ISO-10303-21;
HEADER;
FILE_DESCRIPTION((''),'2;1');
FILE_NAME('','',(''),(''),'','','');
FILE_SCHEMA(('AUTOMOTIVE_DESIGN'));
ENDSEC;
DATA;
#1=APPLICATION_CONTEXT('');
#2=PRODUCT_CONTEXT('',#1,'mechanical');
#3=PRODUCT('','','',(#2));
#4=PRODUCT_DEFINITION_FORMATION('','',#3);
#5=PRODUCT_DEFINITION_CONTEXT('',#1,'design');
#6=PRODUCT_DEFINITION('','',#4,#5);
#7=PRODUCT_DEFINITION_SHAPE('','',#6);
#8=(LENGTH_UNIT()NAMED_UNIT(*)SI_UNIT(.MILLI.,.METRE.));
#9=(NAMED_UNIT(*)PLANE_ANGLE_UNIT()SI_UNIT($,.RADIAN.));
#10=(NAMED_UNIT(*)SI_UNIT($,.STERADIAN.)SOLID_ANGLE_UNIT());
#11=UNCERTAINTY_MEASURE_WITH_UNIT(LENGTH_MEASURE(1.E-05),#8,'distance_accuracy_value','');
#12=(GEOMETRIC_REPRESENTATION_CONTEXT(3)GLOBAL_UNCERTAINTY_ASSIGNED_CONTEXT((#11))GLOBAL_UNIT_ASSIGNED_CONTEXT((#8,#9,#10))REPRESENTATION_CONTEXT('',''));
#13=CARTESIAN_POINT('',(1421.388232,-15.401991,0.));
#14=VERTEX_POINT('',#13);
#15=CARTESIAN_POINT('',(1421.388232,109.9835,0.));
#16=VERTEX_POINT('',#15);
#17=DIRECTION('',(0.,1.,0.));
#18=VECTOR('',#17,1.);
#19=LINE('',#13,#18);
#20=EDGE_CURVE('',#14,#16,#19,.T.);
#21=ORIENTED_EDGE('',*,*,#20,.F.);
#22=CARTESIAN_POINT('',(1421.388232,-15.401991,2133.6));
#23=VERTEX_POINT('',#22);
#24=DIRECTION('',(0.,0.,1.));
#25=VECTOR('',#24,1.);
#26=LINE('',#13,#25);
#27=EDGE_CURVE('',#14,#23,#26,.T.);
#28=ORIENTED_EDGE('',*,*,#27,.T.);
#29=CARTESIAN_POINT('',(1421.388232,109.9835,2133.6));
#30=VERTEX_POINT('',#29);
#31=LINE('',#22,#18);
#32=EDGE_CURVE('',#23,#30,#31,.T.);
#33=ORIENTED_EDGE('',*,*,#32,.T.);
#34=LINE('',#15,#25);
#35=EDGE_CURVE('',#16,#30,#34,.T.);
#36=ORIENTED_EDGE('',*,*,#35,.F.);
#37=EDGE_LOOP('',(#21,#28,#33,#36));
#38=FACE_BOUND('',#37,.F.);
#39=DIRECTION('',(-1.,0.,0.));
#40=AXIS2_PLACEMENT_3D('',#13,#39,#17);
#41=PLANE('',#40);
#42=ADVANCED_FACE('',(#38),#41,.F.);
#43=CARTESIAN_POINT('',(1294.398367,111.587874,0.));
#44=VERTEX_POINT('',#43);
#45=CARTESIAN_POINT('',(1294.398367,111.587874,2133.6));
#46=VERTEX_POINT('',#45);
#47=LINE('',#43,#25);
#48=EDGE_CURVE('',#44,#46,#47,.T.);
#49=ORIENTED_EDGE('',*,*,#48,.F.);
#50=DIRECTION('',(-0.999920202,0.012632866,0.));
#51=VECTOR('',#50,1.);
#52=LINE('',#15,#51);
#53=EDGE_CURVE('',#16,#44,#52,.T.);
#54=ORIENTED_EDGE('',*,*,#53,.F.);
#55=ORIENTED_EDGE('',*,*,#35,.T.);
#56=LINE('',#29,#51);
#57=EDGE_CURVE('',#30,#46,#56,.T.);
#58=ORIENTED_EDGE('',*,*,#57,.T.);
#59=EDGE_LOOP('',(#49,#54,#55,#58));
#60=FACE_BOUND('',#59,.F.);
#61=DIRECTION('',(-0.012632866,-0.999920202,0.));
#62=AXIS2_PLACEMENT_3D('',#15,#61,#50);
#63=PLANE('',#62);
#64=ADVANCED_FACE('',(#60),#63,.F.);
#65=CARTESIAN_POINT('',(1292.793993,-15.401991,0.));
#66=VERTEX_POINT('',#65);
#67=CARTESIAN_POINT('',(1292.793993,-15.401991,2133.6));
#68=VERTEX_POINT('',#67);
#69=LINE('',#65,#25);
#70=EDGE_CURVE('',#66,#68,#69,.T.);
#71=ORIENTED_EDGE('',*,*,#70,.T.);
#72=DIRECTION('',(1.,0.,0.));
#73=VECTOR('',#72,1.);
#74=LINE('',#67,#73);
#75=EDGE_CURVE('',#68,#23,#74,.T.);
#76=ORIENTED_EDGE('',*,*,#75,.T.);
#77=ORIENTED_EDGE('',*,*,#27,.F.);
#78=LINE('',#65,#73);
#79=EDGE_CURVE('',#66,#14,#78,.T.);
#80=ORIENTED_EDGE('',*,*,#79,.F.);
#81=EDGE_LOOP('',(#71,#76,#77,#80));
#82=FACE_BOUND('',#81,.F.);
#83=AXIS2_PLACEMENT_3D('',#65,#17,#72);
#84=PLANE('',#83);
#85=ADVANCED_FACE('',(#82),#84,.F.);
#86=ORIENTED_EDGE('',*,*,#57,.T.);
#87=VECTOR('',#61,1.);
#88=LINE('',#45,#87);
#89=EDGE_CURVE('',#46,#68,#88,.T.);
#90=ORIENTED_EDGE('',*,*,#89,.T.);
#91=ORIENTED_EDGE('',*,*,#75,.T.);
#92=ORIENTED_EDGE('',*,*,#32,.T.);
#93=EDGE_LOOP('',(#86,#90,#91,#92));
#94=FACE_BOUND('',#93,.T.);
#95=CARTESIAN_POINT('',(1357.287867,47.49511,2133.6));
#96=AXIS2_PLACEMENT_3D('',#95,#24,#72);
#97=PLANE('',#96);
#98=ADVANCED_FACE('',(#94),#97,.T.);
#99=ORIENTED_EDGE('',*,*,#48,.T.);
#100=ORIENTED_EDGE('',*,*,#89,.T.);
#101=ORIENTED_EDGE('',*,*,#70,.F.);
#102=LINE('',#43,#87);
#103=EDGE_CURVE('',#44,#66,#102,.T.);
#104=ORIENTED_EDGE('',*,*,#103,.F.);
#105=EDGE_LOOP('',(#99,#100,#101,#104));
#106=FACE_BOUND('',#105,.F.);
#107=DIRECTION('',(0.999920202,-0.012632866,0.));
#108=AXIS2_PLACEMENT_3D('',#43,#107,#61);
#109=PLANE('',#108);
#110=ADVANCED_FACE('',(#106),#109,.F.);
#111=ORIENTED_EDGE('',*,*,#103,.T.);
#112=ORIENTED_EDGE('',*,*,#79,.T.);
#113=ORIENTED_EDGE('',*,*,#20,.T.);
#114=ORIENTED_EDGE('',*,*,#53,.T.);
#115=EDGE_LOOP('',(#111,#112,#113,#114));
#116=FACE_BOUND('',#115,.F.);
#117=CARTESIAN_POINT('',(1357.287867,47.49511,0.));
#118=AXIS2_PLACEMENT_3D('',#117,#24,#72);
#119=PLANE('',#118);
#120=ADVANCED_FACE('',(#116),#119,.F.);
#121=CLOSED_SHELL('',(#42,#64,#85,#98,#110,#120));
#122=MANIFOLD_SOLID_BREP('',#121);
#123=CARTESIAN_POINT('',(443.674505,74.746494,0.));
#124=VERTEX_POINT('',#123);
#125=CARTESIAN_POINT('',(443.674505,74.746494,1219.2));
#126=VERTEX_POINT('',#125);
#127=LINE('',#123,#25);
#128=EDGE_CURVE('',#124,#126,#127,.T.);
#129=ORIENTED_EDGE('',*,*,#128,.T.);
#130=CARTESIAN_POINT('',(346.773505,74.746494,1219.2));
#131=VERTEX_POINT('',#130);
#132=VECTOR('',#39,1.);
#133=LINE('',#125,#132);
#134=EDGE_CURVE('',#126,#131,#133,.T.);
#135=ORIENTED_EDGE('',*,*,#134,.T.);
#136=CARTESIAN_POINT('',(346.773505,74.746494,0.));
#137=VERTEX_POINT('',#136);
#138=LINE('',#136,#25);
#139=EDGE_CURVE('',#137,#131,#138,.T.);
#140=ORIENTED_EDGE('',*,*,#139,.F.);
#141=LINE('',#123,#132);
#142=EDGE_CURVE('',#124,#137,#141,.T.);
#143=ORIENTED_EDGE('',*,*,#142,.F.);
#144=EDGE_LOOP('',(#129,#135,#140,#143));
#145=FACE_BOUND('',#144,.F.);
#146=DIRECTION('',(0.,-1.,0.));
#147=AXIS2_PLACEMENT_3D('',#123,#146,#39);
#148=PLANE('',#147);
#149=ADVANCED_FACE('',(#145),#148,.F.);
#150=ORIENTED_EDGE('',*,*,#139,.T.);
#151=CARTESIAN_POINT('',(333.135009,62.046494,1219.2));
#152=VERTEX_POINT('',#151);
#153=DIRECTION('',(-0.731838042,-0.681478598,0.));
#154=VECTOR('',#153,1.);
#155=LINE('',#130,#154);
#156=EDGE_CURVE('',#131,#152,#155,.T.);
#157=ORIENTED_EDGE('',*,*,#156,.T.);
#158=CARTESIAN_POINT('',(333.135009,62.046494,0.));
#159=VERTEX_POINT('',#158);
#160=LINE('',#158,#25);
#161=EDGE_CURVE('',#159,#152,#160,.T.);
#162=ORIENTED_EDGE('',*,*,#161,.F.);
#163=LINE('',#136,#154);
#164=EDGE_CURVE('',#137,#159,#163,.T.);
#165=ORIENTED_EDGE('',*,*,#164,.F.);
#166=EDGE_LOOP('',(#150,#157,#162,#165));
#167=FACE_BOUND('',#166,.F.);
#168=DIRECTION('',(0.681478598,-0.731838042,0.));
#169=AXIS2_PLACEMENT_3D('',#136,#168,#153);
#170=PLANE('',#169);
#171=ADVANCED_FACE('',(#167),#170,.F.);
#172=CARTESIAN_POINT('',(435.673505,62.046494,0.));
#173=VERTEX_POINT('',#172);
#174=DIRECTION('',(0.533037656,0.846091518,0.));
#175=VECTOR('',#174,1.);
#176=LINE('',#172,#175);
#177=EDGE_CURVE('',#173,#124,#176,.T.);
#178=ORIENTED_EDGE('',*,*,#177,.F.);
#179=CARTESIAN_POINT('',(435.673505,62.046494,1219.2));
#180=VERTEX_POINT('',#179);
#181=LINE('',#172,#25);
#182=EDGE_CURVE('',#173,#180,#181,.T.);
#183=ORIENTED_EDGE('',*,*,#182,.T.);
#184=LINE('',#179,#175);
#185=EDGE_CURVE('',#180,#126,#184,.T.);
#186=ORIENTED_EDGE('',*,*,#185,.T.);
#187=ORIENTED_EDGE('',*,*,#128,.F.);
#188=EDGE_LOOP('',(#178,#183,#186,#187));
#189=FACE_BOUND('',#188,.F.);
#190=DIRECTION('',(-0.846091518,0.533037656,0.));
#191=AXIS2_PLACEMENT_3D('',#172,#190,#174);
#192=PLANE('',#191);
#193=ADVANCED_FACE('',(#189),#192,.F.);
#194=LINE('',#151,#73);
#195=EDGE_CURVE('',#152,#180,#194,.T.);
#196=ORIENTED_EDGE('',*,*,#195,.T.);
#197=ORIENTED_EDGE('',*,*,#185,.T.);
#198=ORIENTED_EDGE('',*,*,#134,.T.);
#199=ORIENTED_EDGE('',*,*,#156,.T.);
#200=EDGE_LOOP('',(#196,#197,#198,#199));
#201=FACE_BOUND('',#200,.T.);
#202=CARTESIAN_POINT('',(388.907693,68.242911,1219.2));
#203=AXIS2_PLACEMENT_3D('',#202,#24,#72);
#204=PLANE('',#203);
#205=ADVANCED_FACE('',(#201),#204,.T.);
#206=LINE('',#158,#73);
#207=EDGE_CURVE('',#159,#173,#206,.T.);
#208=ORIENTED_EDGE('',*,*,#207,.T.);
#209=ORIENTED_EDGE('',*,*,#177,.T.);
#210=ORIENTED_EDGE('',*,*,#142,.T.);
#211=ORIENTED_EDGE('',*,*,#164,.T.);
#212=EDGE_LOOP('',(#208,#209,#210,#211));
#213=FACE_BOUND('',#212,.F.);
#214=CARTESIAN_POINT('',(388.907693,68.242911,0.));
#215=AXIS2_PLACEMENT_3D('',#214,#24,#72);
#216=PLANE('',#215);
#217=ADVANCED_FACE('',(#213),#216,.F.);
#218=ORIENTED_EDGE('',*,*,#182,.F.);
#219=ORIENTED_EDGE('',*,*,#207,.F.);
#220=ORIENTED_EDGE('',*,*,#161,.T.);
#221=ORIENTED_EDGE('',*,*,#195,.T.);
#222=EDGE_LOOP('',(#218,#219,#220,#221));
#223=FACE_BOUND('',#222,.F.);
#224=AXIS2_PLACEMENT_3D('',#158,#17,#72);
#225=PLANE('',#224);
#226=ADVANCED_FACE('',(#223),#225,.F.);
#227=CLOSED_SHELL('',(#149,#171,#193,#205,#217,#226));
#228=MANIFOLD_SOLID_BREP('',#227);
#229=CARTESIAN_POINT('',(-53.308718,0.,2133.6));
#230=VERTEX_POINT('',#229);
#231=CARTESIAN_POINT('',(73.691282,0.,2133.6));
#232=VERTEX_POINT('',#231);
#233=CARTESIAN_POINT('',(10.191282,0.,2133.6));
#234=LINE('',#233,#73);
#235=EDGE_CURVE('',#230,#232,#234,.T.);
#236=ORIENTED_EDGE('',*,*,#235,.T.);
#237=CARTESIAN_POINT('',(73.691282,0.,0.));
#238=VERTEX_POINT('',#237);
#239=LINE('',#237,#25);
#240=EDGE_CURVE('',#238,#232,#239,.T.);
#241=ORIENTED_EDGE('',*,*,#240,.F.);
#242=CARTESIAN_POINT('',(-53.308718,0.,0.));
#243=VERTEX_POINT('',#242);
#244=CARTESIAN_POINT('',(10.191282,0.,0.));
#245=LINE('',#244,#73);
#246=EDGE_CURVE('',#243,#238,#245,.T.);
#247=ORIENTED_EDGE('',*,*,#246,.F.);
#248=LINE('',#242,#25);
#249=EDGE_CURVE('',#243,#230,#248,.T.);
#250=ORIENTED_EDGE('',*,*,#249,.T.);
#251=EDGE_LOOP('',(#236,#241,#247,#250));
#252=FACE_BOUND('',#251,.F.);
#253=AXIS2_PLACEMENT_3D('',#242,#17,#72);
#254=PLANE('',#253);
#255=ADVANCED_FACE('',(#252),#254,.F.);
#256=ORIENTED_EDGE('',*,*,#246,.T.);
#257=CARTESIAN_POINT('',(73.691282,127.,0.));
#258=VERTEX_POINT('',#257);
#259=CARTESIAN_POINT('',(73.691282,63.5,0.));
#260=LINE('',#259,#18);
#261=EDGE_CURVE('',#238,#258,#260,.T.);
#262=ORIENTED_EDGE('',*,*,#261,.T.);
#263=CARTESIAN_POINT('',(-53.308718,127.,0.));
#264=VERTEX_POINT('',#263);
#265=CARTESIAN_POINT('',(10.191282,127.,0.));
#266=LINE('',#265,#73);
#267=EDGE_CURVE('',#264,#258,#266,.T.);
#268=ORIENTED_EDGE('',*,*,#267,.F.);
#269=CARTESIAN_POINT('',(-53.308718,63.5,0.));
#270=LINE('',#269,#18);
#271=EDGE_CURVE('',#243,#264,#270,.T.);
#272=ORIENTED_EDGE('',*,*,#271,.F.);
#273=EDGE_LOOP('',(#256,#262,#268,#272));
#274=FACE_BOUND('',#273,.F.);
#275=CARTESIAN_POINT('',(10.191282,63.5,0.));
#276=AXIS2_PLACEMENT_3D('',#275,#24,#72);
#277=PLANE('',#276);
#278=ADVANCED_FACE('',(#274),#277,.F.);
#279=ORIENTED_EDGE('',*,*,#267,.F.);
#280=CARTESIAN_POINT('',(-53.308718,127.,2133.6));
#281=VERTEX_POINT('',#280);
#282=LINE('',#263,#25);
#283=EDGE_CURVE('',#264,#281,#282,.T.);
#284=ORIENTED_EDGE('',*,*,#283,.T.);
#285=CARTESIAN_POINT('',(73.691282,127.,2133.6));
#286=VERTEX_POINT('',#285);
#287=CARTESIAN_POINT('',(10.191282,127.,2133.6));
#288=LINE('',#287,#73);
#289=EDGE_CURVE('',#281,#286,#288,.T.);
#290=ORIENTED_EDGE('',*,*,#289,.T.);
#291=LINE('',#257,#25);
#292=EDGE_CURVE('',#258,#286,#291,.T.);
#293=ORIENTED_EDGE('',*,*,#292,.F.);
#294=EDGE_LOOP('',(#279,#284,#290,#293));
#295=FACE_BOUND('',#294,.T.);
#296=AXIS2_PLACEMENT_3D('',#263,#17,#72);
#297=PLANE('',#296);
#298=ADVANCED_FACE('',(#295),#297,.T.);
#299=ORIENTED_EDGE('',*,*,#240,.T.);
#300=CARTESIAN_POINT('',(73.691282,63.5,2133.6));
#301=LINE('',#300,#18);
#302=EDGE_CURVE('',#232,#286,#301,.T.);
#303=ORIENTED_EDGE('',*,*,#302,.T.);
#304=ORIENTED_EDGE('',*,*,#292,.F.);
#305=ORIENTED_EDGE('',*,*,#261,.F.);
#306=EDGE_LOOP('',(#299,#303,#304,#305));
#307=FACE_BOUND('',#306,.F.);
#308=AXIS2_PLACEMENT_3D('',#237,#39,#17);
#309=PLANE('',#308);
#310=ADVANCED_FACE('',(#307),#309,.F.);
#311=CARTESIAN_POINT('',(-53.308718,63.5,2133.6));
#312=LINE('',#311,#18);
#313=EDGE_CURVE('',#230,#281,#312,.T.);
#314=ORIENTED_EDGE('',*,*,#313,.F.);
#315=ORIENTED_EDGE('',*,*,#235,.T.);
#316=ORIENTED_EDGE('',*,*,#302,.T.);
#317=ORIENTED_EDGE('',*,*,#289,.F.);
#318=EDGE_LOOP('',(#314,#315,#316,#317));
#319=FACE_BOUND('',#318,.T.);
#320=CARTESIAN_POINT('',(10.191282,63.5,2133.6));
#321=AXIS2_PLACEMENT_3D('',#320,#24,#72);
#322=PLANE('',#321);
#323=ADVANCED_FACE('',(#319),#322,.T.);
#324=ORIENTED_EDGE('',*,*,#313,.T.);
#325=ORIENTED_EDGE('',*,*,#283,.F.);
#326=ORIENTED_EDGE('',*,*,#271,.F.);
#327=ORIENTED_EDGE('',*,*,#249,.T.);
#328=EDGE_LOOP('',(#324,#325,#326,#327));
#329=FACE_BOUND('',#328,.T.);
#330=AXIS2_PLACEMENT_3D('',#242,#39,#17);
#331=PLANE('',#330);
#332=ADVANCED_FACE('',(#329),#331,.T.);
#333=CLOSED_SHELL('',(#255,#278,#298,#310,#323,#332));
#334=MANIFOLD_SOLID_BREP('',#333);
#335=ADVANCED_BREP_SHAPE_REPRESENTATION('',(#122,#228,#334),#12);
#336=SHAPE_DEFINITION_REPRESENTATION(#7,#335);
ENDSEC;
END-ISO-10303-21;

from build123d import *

# Parameters (mm, degrees)
F0_W     = 127
F0_H     = 127
F1_DEPTH = 2133.6
F3_DEPTH = 1219.2


with BuildPart() as f1:
    # F0 (on Top) → F1 (new body)
    with BuildSketch(Plane.XY):
        with Locations((10.191282, 63.5)):
            Rectangle(F0_W, F0_H)
        Polygon((1294.398367, 111.587874), (1292.793993, -15.401991), (1421.388232, -15.401991), (1421.388232, 109.9835), align=None)
    extrude(amount=F1_DEPTH)


with BuildPart() as f3:
    # F2 (on Top) → F3 (new body)
    with BuildSketch(Plane.XY):
        Polygon((333.135009, 62.046494), (341.136009, 62.046494), (435.673505, 62.046494), (443.674505, 74.746494), (435.673505, 74.746494), (346.773505, 74.746494), align=None)
    extrude(amount=F3_DEPTH)


solid = Compound([f1.part, f3.part])
